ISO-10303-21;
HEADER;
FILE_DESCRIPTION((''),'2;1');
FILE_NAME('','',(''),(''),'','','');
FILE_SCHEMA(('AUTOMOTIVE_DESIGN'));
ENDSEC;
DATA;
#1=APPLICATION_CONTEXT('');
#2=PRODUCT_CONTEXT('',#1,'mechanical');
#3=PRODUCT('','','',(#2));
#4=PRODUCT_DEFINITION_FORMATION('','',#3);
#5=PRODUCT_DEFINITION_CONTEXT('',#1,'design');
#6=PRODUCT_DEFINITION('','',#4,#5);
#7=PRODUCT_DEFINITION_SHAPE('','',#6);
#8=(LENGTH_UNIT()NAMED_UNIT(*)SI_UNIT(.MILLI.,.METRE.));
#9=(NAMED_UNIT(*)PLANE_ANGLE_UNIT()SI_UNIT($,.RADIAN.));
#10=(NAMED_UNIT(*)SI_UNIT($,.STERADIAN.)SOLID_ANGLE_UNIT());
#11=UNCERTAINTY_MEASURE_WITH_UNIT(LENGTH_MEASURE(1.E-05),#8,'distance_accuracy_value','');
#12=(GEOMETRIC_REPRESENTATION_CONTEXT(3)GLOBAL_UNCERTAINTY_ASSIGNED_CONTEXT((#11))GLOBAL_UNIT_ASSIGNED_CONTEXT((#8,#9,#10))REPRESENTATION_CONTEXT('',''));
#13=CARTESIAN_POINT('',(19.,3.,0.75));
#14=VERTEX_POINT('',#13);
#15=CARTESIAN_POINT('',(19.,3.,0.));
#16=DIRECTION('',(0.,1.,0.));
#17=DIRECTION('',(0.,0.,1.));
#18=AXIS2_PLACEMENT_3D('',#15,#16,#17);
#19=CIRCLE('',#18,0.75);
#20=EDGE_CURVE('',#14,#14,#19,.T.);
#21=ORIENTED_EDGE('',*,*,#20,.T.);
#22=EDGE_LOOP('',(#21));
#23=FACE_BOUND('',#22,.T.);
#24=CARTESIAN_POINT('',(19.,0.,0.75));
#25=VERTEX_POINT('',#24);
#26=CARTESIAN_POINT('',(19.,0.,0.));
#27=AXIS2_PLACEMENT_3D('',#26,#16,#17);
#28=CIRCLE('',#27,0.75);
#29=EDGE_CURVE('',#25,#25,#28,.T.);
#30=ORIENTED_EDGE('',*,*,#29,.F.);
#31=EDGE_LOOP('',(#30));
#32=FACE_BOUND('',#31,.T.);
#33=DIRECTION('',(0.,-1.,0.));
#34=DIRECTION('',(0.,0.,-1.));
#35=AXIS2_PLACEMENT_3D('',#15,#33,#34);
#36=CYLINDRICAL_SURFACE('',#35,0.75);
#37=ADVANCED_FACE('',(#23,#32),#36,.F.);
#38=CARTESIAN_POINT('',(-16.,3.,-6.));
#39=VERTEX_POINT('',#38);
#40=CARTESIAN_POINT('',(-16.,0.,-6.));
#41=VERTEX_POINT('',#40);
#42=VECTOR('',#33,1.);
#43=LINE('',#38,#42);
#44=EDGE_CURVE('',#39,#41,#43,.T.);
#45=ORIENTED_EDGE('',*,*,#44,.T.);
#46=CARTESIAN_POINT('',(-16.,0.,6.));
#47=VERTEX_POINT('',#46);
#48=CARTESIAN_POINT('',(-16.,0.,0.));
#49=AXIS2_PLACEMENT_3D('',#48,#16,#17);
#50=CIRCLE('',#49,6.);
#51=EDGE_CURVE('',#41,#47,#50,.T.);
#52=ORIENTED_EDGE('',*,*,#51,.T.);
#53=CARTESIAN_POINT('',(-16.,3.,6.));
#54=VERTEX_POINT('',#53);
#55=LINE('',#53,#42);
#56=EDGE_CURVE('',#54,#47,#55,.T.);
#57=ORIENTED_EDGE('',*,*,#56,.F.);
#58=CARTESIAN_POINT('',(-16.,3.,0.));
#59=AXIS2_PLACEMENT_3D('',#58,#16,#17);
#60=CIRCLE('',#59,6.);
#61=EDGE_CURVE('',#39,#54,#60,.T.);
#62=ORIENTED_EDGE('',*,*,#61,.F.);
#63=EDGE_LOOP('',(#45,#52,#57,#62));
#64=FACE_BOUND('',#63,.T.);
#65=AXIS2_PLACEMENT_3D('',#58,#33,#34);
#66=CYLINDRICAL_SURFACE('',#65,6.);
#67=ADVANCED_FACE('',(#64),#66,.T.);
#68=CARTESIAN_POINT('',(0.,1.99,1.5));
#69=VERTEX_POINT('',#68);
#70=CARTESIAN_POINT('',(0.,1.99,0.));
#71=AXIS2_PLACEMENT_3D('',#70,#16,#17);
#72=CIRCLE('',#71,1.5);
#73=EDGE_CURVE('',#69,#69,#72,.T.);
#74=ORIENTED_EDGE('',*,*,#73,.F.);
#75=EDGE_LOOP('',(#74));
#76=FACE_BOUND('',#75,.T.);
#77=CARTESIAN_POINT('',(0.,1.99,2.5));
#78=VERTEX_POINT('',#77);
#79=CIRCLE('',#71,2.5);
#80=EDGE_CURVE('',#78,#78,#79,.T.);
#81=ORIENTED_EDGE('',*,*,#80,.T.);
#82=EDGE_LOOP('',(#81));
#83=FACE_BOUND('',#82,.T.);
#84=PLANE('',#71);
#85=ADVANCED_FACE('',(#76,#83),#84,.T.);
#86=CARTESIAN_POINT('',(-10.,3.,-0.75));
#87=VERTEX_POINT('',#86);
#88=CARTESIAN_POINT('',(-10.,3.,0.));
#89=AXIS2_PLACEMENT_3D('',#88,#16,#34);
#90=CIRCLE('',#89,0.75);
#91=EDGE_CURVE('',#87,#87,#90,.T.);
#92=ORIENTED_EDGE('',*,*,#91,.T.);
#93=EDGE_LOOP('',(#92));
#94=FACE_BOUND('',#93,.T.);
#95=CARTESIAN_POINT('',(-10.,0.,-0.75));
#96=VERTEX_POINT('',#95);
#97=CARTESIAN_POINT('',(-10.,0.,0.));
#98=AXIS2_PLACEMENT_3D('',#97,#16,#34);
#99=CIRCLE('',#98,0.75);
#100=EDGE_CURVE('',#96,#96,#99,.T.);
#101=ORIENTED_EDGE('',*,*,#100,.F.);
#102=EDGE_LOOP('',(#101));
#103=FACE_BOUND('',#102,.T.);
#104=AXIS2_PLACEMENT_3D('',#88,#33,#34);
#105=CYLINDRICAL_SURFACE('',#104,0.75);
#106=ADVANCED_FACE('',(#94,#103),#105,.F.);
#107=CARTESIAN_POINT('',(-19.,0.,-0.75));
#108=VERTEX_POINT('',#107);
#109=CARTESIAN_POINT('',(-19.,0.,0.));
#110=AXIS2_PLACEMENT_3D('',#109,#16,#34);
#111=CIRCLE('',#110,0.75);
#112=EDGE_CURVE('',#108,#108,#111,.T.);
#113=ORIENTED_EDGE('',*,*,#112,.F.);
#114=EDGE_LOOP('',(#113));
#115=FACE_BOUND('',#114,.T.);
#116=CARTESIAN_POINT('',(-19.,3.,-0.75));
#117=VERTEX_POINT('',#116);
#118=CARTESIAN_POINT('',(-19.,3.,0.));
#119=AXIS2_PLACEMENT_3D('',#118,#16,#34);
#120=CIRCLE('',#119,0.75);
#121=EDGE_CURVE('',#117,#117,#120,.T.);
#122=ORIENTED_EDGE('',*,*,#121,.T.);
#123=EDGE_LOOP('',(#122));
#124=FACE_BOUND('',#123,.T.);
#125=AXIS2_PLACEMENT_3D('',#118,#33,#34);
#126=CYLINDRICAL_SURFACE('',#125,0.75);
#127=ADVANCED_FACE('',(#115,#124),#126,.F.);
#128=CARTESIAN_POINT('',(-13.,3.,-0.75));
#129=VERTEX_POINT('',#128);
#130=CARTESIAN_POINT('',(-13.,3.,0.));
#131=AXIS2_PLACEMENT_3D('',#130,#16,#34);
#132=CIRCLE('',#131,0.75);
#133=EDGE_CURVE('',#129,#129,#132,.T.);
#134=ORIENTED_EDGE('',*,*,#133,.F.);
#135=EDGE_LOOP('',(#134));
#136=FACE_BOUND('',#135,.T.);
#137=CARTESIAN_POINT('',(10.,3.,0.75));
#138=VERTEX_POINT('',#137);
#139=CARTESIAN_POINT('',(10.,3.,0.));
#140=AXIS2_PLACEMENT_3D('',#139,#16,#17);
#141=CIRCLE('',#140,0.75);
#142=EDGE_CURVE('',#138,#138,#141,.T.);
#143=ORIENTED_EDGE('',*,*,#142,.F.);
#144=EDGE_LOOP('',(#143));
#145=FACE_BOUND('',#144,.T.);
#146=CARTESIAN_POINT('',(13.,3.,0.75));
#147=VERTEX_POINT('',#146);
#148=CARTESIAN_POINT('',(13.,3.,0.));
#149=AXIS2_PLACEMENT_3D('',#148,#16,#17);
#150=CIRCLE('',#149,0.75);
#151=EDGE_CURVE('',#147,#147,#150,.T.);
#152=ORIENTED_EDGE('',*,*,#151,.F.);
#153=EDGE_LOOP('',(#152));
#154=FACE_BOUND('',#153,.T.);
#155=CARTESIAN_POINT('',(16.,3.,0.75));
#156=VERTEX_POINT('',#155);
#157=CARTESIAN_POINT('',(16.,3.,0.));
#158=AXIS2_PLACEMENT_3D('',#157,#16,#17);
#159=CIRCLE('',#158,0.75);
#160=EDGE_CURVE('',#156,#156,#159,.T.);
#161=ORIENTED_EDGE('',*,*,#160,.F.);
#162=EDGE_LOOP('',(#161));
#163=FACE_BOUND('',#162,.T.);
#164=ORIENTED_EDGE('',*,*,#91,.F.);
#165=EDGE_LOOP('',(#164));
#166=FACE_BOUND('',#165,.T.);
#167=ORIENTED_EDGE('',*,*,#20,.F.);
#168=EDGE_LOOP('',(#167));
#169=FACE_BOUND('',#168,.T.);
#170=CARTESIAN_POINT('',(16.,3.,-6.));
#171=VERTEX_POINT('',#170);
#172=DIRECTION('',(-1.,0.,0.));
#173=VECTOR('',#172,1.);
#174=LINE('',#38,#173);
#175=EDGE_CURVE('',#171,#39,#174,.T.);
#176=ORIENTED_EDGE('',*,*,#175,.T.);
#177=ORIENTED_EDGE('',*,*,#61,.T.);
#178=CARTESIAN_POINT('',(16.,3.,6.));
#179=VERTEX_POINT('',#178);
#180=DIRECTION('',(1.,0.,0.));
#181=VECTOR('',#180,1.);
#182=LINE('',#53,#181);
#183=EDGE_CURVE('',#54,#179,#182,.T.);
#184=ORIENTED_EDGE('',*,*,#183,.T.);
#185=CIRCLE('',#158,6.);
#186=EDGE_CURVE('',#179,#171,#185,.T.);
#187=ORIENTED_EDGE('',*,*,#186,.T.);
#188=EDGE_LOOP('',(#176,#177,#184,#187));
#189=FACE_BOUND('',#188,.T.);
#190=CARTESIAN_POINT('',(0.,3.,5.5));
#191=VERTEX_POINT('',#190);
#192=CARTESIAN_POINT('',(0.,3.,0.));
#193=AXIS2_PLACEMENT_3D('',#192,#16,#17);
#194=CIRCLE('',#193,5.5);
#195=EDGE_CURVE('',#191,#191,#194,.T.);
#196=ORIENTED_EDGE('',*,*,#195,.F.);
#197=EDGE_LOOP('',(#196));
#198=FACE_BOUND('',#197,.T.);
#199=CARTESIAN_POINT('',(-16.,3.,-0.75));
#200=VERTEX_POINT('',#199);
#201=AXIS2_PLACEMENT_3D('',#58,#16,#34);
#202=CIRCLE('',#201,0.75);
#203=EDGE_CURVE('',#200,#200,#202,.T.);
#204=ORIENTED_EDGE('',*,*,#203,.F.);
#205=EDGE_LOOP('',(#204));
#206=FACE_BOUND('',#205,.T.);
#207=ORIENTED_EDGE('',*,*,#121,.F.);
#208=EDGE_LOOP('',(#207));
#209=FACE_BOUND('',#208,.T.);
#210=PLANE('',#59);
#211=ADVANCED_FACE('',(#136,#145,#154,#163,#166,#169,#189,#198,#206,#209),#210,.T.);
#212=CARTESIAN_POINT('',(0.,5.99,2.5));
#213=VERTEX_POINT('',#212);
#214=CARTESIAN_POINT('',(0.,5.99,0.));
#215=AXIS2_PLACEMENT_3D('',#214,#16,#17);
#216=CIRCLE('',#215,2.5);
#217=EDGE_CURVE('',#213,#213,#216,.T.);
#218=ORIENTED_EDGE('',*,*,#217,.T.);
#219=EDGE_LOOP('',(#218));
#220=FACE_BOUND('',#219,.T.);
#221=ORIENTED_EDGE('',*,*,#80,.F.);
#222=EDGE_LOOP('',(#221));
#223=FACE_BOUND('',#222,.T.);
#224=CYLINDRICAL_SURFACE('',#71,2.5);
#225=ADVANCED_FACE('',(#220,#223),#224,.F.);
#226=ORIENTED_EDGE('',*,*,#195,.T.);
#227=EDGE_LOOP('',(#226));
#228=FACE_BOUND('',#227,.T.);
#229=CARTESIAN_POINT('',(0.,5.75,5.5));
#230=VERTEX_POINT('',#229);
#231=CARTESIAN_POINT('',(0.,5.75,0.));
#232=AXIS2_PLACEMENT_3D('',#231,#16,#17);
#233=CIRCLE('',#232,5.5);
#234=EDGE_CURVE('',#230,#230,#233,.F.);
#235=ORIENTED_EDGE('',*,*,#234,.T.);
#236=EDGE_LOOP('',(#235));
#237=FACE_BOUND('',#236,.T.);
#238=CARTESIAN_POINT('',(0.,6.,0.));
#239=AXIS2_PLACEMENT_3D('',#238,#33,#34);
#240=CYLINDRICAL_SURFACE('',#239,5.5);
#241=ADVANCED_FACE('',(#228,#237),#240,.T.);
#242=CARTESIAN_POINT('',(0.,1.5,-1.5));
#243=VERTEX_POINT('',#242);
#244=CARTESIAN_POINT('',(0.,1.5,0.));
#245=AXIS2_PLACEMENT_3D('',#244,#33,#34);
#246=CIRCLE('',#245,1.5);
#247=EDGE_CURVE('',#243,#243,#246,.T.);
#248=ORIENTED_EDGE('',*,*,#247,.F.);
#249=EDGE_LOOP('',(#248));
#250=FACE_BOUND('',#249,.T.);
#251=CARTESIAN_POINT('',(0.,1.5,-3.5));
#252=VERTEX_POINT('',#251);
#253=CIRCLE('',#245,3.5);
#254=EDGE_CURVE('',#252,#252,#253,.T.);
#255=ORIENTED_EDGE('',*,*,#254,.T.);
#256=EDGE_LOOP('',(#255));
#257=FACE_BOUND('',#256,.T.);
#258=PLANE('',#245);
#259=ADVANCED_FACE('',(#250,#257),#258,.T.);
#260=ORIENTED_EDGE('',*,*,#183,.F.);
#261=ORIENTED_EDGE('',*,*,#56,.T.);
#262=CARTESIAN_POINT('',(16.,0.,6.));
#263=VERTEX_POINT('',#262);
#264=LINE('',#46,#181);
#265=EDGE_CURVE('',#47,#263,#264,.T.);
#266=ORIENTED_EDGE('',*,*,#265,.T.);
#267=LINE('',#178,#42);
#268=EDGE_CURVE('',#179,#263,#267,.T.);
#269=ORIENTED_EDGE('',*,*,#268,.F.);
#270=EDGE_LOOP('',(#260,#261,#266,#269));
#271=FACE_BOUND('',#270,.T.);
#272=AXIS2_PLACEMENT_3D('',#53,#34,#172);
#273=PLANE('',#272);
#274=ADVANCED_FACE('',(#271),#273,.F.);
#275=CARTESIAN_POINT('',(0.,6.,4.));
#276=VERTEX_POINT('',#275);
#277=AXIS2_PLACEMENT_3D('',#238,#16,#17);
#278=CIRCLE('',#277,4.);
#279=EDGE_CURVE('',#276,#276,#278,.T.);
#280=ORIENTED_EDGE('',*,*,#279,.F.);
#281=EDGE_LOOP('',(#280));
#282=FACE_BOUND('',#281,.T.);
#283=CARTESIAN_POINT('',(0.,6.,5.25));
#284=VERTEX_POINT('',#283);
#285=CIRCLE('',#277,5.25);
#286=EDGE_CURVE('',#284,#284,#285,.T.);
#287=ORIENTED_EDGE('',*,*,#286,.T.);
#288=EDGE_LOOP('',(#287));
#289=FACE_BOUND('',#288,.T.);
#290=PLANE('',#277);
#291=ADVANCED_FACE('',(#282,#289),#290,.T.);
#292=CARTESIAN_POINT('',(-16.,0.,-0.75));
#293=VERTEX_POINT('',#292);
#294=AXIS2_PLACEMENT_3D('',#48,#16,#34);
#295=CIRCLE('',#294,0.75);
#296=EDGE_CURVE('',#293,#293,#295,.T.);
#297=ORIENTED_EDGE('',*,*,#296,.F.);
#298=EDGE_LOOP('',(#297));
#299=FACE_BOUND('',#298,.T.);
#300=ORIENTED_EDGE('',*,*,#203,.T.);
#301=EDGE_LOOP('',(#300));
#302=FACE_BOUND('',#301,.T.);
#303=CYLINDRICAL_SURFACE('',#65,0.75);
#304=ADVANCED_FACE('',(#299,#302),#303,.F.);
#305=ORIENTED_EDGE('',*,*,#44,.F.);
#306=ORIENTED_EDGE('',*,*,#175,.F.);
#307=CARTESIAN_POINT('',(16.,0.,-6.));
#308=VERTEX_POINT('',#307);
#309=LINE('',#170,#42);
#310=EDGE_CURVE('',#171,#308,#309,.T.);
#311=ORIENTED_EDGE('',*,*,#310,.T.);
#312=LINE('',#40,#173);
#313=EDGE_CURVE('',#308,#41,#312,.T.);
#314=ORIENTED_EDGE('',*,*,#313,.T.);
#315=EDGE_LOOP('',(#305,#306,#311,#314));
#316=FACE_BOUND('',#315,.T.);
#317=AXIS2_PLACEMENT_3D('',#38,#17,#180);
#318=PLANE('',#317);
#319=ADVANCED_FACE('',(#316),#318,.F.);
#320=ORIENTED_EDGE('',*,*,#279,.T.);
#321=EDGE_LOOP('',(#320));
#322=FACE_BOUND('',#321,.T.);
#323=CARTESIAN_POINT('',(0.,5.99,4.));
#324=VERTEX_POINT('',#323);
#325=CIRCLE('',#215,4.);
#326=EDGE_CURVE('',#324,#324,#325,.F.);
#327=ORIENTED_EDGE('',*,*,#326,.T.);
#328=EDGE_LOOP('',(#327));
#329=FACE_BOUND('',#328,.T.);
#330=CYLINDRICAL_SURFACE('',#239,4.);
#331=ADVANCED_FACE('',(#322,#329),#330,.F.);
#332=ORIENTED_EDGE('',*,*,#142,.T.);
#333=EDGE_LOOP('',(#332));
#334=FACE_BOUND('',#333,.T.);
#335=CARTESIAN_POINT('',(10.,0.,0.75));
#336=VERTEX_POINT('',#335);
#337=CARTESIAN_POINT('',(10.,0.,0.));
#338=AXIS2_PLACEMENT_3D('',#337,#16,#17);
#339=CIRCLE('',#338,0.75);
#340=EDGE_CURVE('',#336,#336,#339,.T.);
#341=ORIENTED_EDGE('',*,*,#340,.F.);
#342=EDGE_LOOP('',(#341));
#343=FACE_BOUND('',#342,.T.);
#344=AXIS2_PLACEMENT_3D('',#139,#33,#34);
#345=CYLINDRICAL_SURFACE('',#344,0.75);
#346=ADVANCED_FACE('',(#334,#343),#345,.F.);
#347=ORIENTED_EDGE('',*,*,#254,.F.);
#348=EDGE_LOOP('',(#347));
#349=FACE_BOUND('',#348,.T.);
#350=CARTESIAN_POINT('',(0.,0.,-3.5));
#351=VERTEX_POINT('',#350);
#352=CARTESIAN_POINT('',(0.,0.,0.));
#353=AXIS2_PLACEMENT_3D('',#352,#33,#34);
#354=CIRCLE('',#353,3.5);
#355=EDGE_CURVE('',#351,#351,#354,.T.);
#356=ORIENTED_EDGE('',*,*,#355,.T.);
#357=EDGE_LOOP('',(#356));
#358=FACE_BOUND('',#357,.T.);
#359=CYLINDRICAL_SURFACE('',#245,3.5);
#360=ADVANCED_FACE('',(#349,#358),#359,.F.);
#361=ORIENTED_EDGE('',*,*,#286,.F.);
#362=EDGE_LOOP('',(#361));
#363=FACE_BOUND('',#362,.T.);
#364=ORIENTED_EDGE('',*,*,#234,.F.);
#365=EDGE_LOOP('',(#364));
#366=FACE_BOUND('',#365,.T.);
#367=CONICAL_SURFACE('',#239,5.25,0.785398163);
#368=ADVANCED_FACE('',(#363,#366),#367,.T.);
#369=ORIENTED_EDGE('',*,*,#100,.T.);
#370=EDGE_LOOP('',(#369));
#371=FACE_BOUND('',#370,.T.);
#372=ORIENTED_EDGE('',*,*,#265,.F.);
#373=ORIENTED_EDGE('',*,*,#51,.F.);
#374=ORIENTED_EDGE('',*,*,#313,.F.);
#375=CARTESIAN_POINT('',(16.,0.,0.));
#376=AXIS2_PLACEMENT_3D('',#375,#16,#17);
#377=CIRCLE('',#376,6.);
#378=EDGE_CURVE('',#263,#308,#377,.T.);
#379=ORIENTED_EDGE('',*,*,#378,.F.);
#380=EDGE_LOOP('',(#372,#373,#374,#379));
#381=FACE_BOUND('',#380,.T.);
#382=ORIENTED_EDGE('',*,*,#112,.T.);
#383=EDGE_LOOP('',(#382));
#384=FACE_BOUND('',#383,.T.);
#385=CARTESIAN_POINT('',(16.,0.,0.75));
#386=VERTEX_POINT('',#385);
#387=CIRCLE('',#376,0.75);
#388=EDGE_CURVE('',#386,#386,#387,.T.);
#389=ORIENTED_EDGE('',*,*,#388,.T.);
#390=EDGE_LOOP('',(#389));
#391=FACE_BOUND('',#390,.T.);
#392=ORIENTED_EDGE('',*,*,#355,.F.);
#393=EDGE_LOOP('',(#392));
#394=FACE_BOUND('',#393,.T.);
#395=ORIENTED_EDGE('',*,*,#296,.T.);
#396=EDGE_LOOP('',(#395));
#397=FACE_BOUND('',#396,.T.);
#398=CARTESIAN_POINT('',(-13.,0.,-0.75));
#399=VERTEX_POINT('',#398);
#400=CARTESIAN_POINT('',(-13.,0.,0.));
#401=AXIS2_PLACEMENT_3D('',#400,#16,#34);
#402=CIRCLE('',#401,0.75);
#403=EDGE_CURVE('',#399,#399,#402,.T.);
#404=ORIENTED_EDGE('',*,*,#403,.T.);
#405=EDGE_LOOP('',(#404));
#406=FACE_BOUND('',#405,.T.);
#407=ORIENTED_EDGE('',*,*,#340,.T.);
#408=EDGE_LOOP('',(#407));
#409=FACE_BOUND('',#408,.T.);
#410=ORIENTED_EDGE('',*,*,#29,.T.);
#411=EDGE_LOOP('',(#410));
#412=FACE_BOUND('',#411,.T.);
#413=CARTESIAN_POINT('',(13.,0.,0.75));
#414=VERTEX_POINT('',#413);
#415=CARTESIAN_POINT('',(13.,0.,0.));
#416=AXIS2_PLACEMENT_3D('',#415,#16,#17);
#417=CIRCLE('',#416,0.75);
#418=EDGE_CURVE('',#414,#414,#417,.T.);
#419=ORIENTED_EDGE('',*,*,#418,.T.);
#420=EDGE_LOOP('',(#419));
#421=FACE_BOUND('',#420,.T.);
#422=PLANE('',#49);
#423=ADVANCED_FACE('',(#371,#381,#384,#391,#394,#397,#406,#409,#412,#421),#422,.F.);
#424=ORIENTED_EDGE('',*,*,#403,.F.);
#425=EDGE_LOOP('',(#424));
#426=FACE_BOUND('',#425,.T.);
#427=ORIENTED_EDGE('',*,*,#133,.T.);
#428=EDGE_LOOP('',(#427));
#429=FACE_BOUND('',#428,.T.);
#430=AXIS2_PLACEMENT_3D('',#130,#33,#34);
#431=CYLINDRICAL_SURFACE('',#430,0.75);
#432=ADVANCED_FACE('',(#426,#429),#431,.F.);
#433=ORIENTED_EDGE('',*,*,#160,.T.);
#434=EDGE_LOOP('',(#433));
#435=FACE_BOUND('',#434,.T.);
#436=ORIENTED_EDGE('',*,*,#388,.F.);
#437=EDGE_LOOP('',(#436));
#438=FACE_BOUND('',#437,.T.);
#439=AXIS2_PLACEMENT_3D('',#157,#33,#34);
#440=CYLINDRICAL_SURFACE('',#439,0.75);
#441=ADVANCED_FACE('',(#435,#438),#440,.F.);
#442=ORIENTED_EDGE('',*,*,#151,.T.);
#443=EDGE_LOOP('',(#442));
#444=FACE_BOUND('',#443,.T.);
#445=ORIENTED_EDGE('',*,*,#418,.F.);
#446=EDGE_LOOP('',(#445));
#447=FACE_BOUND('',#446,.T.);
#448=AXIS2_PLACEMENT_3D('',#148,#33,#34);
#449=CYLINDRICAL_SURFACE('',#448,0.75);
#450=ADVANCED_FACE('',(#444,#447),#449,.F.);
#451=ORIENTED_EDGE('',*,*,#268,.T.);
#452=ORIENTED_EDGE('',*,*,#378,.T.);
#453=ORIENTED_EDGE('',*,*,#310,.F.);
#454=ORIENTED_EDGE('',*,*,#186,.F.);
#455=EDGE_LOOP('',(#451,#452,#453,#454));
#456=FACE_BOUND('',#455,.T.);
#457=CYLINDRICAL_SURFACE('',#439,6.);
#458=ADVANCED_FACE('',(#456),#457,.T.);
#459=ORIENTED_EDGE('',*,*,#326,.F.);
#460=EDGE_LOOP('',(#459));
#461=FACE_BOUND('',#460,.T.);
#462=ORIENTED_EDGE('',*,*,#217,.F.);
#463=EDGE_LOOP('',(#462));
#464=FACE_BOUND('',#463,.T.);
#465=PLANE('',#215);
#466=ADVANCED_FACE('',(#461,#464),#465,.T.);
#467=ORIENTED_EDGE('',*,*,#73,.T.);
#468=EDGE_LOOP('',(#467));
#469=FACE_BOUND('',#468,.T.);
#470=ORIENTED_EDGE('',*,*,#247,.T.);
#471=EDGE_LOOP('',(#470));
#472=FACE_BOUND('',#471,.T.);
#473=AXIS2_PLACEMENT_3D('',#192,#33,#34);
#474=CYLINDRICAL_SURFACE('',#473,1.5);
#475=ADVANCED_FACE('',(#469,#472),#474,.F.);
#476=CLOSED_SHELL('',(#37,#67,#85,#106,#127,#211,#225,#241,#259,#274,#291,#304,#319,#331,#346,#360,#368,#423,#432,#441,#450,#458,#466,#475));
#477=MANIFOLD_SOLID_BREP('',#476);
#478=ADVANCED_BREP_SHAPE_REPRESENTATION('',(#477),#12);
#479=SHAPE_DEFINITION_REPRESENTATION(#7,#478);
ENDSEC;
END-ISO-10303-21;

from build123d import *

# Parameters (mm, degrees)
SKETCH1_R           = 0.75
SKETCH1_R_2         = 1.5
BOSS_EXTRUDE1_DEPTH = 3
SKETCH2_R           = 3.5
CUT_EXTRUDE1_DEPTH  = 1.5
SKETCH3_R           = 4
BOSS_EXTRUDE2_DEPTH = 2.99
SKETCH4_R           = 2.5
CUT_EXTRUDE2_DEPTH  = 4
SKETCH5_R           = 5.5
SKETCH5_R_2         = 4
BOSS_EXTRUDE3_DEPTH = 3
CHAMFER1_SIZE       = 0.25


with BuildPart() as part:
    # Sketch1 → Boss-Extrude1 (new body)
    with BuildSketch(Plane(origin=(0, 0, 0), x_dir=(1, 0, 0), z_dir=(0, 1, 0))):
        with BuildLine():
            Line((-16, 6), (16, 6))
            ThreePointArc((16, 6), (22, 0), (16, -6))
            Line((16, -6), (-16, -6))
            ThreePointArc((-16, -6), (-22, 0), (-16, 6))
        make_face()
        with Locations((10, 0)):
            Circle(SKETCH1_R, mode=Mode.SUBTRACT)
        with Locations((13, 0)):
            Circle(SKETCH1_R, mode=Mode.SUBTRACT)
        with Locations((16, 0)):
            Circle(SKETCH1_R, mode=Mode.SUBTRACT)
        with Locations((19, 0)):
            Circle(SKETCH1_R, mode=Mode.SUBTRACT)
        with Locations((-19, 0)):
            Circle(SKETCH1_R, mode=Mode.SUBTRACT)
        with Locations((-16, 0)):
            Circle(SKETCH1_R, mode=Mode.SUBTRACT)
        with Locations((-13, 0)):
            Circle(SKETCH1_R, mode=Mode.SUBTRACT)
        with Locations((-10, 0)):
            Circle(SKETCH1_R, mode=Mode.SUBTRACT)
        Circle(SKETCH1_R_2, mode=Mode.SUBTRACT)
    extrude(amount=BOSS_EXTRUDE1_DEPTH)

    # Sketch2 → Cut-Extrude1 (cut)
    with BuildSketch(Plane(origin=(0, 0, 0), x_dir=(-1, 0, 0), z_dir=(0, -1, 0))):
        Circle(SKETCH2_R)
    extrude(amount=-CUT_EXTRUDE1_DEPTH, mode=Mode.SUBTRACT)

    # Sketch3 → Boss-Extrude2 (add)
    with BuildSketch(Plane(origin=(0, 3, 0), x_dir=(1, 0, 0), z_dir=(0, 1, 0))):
        Circle(SKETCH3_R)
    extrude(amount=BOSS_EXTRUDE2_DEPTH)

    # Sketch4 → Cut-Extrude2 (cut)
    with BuildSketch(Plane(origin=(0, 5.99, 0), x_dir=(1, 0, 0), z_dir=(0, 1, 0))):
        Circle(SKETCH4_R)
    extrude(amount=-CUT_EXTRUDE2_DEPTH, mode=Mode.SUBTRACT)

    # Sketch5 → Boss-Extrude3 (add)
    with BuildSketch(Plane(origin=(0, 3, 0), x_dir=(1, 0, 0), z_dir=(0, 1, 0))):
        Circle(SKETCH5_R)
        Circle(SKETCH5_R_2, mode=Mode.SUBTRACT)
    extrude(amount=BOSS_EXTRUDE3_DEPTH)

    # Chamfer1
    chamfer1_edges = [part.edges().sort_by_distance(p)[0] for p in [
        (-5.5, 6, 0),
    ]]
    chamfer(chamfer1_edges, length=CHAMFER1_SIZE)


solid = part.part
